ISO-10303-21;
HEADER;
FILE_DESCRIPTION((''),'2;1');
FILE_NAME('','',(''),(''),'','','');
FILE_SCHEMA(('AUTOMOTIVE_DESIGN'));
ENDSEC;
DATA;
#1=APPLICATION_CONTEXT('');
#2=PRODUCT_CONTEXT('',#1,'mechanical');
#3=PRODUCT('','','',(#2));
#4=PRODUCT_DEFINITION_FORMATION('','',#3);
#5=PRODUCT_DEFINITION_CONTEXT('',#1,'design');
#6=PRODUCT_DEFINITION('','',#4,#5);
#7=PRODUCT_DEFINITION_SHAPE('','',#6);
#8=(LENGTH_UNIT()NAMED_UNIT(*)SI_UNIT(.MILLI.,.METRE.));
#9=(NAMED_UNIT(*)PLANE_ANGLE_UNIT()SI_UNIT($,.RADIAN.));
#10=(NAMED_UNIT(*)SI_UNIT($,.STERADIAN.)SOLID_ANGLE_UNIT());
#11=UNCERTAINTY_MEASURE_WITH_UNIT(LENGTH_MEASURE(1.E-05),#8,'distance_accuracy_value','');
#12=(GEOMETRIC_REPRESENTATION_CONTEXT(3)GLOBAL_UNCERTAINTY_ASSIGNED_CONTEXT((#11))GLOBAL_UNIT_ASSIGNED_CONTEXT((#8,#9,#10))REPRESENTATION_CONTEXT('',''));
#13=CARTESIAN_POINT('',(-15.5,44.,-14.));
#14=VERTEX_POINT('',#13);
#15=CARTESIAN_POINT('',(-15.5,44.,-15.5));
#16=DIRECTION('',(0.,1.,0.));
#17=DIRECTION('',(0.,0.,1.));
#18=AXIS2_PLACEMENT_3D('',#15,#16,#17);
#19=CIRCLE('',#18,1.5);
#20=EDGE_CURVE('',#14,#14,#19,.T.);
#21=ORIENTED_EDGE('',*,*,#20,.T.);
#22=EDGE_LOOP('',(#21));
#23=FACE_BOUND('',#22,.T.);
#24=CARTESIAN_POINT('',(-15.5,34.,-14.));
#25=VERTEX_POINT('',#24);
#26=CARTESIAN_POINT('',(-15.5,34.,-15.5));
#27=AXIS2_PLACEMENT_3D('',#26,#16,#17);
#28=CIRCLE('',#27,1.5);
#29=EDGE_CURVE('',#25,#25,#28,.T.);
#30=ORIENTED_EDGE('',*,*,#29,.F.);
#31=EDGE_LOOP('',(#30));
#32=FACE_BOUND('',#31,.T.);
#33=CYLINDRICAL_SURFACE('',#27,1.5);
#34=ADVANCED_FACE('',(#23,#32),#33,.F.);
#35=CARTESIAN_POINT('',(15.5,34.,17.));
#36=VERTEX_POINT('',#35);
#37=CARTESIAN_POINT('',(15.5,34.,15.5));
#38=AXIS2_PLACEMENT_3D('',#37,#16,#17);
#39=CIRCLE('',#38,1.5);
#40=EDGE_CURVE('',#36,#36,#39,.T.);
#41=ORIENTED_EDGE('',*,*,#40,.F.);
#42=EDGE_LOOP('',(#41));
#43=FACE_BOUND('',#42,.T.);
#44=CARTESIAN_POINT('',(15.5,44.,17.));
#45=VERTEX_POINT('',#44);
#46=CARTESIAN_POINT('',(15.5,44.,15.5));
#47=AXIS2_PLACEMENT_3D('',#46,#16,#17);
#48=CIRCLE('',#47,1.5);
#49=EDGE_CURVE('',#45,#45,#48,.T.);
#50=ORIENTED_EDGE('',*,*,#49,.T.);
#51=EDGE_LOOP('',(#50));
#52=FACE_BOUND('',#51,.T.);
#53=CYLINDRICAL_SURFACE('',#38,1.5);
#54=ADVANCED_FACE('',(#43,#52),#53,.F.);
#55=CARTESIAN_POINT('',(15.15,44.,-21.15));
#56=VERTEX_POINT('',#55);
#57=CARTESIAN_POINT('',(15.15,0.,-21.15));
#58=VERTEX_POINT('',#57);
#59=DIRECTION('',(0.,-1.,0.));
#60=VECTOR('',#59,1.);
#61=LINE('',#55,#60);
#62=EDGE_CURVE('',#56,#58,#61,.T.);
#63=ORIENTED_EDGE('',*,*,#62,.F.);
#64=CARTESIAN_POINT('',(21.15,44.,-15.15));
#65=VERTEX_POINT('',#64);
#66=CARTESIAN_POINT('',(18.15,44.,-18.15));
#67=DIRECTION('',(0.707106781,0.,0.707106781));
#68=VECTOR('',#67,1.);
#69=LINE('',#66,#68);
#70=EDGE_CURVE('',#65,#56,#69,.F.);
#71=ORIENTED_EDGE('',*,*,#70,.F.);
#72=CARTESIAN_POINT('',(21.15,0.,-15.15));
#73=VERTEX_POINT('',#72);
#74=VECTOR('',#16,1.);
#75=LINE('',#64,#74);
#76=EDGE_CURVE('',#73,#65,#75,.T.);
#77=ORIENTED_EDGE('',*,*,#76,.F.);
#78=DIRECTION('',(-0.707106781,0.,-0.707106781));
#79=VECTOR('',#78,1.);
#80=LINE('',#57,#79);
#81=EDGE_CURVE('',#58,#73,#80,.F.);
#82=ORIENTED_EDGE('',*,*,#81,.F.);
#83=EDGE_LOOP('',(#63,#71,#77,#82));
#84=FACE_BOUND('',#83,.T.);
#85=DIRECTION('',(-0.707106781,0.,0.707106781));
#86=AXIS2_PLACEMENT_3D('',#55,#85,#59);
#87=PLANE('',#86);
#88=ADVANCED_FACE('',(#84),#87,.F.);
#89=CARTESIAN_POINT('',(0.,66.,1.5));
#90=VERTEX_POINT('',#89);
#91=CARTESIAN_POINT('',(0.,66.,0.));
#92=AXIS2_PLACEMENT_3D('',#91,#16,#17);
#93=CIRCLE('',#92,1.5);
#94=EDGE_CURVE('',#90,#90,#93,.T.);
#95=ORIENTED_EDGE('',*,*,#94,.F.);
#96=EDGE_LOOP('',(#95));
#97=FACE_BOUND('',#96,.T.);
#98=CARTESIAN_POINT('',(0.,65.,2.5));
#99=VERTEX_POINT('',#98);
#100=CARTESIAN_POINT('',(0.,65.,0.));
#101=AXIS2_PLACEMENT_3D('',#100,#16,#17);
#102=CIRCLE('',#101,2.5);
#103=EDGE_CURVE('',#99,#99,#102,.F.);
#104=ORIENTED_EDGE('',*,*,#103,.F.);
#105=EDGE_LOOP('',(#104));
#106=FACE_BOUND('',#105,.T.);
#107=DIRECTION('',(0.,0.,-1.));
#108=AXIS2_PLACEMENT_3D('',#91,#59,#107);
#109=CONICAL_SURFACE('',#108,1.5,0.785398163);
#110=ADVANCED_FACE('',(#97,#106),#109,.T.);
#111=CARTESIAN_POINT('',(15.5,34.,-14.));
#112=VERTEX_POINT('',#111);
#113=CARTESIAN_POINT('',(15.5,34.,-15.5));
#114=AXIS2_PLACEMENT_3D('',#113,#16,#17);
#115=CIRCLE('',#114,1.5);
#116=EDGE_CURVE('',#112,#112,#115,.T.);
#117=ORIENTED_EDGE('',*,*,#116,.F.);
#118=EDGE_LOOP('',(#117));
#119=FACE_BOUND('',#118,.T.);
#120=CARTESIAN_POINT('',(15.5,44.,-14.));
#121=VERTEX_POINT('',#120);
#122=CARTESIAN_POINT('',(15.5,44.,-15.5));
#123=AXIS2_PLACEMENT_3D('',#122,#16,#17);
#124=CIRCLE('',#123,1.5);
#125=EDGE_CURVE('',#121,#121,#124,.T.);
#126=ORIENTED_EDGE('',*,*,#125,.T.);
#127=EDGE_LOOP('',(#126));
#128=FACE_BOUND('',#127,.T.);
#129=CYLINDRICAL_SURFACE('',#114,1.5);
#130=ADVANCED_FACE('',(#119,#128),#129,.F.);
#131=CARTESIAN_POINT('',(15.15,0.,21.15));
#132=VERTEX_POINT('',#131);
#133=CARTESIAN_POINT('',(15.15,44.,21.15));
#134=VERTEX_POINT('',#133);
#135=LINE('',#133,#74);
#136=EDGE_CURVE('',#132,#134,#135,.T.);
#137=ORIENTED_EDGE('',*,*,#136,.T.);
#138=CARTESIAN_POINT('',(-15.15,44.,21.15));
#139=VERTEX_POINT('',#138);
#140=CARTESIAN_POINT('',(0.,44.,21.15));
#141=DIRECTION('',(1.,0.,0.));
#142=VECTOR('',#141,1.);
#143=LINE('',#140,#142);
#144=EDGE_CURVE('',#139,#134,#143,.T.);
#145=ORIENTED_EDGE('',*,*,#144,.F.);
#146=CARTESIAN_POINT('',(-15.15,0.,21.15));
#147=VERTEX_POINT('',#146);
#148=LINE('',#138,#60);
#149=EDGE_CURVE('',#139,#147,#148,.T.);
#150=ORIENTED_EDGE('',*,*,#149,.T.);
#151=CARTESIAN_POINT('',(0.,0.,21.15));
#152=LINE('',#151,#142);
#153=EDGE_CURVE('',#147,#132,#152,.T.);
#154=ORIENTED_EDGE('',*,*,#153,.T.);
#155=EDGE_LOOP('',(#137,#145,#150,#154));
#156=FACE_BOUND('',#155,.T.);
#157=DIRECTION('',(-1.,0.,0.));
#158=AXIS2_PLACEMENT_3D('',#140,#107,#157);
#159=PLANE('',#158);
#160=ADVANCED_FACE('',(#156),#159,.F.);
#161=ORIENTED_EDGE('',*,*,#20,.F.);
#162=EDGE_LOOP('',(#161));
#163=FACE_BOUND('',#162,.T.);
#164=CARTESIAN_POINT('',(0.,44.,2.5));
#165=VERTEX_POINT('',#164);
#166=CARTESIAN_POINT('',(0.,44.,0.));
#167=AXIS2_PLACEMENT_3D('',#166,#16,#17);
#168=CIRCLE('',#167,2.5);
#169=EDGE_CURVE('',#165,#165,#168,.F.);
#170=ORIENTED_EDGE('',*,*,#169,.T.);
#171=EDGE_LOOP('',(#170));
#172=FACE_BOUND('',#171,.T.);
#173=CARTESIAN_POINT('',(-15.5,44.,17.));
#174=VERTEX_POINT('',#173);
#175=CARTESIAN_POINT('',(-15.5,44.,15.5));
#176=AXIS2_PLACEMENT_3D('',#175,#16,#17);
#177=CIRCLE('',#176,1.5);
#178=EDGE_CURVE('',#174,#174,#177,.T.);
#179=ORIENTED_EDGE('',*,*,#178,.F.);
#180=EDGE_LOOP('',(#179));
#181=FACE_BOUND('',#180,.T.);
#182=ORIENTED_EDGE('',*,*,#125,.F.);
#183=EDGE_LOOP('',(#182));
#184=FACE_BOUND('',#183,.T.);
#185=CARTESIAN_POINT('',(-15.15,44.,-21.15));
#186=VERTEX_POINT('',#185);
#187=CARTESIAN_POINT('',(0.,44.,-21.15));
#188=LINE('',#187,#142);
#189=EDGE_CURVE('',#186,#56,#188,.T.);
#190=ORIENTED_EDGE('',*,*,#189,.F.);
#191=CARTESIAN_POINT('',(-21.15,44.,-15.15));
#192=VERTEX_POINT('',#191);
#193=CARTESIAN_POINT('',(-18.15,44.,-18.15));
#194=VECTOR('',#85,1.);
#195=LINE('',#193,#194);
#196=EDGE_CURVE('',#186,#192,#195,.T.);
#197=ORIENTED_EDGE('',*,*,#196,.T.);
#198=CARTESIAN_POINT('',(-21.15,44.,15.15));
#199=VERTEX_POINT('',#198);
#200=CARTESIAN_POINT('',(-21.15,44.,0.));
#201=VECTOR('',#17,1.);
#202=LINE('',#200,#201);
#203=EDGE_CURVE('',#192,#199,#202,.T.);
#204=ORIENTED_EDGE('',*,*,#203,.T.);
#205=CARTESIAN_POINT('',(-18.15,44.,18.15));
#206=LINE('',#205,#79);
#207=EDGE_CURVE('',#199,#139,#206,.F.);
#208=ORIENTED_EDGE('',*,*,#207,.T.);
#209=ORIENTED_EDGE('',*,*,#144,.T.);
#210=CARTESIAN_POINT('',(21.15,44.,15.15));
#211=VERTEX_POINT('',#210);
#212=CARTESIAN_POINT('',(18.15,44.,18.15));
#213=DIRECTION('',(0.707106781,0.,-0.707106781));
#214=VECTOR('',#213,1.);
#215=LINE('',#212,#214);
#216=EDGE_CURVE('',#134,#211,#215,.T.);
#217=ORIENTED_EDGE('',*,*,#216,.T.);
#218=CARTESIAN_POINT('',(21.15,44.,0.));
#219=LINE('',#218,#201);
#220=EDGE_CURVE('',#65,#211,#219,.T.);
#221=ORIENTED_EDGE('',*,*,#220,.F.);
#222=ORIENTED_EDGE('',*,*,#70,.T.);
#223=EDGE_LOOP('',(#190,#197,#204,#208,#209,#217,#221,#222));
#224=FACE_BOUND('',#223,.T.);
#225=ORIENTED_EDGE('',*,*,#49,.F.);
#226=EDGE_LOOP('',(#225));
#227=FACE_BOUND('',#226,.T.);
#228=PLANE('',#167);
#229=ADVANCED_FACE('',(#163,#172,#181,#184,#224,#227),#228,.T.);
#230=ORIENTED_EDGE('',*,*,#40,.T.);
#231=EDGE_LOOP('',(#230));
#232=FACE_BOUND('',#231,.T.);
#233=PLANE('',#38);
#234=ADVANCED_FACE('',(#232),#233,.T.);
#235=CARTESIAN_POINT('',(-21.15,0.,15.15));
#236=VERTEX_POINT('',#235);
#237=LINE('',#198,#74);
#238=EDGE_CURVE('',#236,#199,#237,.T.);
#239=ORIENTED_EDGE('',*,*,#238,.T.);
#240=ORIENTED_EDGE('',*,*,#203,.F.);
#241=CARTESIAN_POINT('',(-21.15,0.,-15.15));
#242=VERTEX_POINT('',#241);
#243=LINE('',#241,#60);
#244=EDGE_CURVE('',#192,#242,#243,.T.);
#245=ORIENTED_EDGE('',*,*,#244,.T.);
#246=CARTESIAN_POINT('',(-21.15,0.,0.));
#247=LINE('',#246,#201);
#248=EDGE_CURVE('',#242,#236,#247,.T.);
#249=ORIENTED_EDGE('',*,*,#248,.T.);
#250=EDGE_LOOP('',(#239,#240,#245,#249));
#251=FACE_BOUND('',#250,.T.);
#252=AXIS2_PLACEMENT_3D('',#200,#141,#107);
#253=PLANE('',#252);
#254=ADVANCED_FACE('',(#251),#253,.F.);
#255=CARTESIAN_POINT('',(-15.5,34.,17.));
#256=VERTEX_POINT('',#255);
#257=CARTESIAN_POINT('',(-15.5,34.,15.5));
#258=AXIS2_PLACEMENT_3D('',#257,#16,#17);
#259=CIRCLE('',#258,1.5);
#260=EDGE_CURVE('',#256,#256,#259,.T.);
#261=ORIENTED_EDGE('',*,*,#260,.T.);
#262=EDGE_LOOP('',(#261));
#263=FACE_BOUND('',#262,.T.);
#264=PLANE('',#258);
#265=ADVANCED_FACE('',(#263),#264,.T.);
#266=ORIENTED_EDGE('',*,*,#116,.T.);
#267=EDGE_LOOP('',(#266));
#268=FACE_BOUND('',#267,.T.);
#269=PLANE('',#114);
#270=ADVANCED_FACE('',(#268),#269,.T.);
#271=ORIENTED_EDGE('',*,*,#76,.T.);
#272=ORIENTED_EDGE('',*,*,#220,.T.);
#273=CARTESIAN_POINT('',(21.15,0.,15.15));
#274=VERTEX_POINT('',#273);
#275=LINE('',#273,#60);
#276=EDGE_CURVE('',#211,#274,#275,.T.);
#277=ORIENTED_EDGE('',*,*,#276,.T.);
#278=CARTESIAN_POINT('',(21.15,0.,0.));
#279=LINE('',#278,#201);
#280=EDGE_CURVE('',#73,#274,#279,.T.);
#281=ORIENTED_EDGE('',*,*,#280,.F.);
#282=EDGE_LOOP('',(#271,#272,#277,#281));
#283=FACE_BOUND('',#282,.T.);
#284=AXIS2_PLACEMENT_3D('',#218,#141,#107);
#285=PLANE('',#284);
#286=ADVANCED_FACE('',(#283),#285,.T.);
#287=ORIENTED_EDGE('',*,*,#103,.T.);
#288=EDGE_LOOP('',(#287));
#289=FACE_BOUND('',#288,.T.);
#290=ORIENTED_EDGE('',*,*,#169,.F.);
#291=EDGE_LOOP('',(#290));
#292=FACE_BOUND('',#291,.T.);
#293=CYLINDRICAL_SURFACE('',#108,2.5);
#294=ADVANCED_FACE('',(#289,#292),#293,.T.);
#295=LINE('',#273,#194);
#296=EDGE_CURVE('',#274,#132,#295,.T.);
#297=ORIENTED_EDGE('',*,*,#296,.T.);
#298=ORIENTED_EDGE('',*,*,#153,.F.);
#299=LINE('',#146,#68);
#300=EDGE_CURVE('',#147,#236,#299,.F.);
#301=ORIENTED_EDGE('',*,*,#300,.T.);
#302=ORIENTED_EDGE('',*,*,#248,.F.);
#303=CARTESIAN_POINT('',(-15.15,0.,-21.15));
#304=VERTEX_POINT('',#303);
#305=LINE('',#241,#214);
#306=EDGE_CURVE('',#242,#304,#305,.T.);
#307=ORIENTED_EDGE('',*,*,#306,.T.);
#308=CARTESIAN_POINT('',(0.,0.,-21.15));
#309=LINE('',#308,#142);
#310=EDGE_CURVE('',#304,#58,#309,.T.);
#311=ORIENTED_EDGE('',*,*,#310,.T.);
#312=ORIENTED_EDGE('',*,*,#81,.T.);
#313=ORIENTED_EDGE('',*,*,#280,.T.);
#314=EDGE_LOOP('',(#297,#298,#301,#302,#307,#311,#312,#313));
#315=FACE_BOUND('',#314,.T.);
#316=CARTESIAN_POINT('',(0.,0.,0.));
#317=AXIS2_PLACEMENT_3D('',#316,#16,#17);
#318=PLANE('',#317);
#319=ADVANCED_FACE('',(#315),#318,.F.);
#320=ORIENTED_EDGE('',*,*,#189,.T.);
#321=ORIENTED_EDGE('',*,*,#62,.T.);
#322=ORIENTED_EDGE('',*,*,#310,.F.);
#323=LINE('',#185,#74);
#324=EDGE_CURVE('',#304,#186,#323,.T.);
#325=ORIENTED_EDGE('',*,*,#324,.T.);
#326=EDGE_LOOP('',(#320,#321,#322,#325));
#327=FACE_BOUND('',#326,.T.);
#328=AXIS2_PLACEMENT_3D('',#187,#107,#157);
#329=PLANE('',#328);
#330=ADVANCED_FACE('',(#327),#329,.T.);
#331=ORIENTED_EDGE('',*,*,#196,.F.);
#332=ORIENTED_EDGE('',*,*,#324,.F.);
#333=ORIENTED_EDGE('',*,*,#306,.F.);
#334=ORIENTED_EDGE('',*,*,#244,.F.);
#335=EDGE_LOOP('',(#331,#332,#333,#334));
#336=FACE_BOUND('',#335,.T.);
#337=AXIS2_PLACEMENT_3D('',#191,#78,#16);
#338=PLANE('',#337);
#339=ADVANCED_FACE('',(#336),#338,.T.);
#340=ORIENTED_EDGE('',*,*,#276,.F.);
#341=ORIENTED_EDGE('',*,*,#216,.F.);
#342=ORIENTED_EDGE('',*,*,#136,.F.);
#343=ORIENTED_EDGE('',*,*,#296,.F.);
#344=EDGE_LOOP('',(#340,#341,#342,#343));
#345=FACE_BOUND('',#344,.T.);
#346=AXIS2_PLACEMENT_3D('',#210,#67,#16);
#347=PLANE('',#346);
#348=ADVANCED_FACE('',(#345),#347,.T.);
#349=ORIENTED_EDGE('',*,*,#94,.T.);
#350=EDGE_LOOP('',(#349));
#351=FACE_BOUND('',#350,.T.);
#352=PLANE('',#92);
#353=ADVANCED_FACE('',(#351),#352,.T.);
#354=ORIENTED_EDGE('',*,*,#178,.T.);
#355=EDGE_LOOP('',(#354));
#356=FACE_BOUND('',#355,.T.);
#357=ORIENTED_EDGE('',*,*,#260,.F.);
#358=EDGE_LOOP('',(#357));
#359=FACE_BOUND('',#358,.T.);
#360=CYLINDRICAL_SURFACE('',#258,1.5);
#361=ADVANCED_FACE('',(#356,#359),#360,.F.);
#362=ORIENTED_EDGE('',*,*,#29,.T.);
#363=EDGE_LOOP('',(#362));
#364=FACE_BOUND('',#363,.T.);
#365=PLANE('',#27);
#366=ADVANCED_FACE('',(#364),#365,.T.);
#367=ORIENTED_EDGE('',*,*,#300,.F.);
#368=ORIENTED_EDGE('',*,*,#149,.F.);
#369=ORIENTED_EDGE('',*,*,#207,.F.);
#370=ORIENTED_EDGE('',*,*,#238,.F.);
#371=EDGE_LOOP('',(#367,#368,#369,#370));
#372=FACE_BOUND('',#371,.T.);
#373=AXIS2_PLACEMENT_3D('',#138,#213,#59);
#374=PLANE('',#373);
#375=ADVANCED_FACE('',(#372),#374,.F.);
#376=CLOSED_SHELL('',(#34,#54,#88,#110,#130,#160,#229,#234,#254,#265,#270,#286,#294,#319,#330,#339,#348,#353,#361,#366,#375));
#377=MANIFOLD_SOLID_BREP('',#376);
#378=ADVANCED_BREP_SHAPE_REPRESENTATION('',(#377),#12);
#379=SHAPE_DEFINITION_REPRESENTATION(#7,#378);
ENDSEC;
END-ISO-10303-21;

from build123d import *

# Parameters (mm, degrees)
SKETCH1_W           = 42.3
SKETCH1_H           = 42.3
SKETCH1_R           = 2.5
BOSS_EXTRUDE1_DEPTH = 44
SKETCH1_3_R         = 2.5
BOSS_EXTRUDE2_DEPTH = 66
CHAMFER1_SIZE       = 6
CHAMFER2_SIZE       = 1
SKETCH2_R           = 1.5
CUT_EXTRUDE1_DEPTH  = 10


with BuildPart() as part:
    # Sketch1 → Boss-Extrude1 (new body)
    with BuildSketch(Plane(origin=(0, 0, 0), x_dir=(1, 0, 0), z_dir=(0, 1, 0))):
        Rectangle(SKETCH1_W, SKETCH1_H)
        Circle(SKETCH1_R, mode=Mode.SUBTRACT)
        Circle(SKETCH1_R)
    extrude(amount=BOSS_EXTRUDE1_DEPTH)

    # Sketch1_3 → Boss-Extrude2 (add)
    with BuildSketch(Plane(origin=(0, 0, 0), x_dir=(1, 0, 0), z_dir=(0, 1, 0))):
        with Locations(Location((0, 0, 0), (0, 0, 270))):  # turned: the seam where the file's is
            Circle(SKETCH1_3_R)
    extrude(amount=BOSS_EXTRUDE2_DEPTH)

    # Chamfer1
    chamfer1_edges = [part.edges().sort_by_distance(p)[0] for p in [
        (21.15, 22, 21.15),
        (-21.15, 22, 21.15),
        (-21.15, 22, -21.15),
        (21.15, 22, -21.15),
    ]]
    chamfer(chamfer1_edges, length=CHAMFER1_SIZE)

    # Chamfer2
    chamfer2_edges = [part.edges().sort_by_distance(p)[0] for p in [
        (0, 66, -2.5),
    ]]
    chamfer(chamfer2_edges, length=CHAMFER2_SIZE)

    # Sketch2 → Cut-Extrude1 (cut)
    with BuildSketch(Plane(origin=(0, 44, 0), x_dir=(1, 0, 0), z_dir=(0, 1, 0))):
        with Locations(Location((-15.5, 15.5, 0), (0, 0, 270))):  # turned: the seam where the file's is
            Circle(SKETCH2_R)
        with Locations(Location((15.5, 15.5, 0), (0, 0, 270))):  # turned: the seam where the file's is
            Circle(SKETCH2_R)
        with Locations(Location((15.5, -15.5, 0), (0, 0, 270))):  # turned: the seam where the file's is
            Circle(SKETCH2_R)
        with Locations(Location((-15.5, -15.5, 0), (0, 0, 270))):  # turned: the seam where the file's is
            Circle(SKETCH2_R)
    extrude(amount=-CUT_EXTRUDE1_DEPTH, mode=Mode.SUBTRACT)


solid = part.part
